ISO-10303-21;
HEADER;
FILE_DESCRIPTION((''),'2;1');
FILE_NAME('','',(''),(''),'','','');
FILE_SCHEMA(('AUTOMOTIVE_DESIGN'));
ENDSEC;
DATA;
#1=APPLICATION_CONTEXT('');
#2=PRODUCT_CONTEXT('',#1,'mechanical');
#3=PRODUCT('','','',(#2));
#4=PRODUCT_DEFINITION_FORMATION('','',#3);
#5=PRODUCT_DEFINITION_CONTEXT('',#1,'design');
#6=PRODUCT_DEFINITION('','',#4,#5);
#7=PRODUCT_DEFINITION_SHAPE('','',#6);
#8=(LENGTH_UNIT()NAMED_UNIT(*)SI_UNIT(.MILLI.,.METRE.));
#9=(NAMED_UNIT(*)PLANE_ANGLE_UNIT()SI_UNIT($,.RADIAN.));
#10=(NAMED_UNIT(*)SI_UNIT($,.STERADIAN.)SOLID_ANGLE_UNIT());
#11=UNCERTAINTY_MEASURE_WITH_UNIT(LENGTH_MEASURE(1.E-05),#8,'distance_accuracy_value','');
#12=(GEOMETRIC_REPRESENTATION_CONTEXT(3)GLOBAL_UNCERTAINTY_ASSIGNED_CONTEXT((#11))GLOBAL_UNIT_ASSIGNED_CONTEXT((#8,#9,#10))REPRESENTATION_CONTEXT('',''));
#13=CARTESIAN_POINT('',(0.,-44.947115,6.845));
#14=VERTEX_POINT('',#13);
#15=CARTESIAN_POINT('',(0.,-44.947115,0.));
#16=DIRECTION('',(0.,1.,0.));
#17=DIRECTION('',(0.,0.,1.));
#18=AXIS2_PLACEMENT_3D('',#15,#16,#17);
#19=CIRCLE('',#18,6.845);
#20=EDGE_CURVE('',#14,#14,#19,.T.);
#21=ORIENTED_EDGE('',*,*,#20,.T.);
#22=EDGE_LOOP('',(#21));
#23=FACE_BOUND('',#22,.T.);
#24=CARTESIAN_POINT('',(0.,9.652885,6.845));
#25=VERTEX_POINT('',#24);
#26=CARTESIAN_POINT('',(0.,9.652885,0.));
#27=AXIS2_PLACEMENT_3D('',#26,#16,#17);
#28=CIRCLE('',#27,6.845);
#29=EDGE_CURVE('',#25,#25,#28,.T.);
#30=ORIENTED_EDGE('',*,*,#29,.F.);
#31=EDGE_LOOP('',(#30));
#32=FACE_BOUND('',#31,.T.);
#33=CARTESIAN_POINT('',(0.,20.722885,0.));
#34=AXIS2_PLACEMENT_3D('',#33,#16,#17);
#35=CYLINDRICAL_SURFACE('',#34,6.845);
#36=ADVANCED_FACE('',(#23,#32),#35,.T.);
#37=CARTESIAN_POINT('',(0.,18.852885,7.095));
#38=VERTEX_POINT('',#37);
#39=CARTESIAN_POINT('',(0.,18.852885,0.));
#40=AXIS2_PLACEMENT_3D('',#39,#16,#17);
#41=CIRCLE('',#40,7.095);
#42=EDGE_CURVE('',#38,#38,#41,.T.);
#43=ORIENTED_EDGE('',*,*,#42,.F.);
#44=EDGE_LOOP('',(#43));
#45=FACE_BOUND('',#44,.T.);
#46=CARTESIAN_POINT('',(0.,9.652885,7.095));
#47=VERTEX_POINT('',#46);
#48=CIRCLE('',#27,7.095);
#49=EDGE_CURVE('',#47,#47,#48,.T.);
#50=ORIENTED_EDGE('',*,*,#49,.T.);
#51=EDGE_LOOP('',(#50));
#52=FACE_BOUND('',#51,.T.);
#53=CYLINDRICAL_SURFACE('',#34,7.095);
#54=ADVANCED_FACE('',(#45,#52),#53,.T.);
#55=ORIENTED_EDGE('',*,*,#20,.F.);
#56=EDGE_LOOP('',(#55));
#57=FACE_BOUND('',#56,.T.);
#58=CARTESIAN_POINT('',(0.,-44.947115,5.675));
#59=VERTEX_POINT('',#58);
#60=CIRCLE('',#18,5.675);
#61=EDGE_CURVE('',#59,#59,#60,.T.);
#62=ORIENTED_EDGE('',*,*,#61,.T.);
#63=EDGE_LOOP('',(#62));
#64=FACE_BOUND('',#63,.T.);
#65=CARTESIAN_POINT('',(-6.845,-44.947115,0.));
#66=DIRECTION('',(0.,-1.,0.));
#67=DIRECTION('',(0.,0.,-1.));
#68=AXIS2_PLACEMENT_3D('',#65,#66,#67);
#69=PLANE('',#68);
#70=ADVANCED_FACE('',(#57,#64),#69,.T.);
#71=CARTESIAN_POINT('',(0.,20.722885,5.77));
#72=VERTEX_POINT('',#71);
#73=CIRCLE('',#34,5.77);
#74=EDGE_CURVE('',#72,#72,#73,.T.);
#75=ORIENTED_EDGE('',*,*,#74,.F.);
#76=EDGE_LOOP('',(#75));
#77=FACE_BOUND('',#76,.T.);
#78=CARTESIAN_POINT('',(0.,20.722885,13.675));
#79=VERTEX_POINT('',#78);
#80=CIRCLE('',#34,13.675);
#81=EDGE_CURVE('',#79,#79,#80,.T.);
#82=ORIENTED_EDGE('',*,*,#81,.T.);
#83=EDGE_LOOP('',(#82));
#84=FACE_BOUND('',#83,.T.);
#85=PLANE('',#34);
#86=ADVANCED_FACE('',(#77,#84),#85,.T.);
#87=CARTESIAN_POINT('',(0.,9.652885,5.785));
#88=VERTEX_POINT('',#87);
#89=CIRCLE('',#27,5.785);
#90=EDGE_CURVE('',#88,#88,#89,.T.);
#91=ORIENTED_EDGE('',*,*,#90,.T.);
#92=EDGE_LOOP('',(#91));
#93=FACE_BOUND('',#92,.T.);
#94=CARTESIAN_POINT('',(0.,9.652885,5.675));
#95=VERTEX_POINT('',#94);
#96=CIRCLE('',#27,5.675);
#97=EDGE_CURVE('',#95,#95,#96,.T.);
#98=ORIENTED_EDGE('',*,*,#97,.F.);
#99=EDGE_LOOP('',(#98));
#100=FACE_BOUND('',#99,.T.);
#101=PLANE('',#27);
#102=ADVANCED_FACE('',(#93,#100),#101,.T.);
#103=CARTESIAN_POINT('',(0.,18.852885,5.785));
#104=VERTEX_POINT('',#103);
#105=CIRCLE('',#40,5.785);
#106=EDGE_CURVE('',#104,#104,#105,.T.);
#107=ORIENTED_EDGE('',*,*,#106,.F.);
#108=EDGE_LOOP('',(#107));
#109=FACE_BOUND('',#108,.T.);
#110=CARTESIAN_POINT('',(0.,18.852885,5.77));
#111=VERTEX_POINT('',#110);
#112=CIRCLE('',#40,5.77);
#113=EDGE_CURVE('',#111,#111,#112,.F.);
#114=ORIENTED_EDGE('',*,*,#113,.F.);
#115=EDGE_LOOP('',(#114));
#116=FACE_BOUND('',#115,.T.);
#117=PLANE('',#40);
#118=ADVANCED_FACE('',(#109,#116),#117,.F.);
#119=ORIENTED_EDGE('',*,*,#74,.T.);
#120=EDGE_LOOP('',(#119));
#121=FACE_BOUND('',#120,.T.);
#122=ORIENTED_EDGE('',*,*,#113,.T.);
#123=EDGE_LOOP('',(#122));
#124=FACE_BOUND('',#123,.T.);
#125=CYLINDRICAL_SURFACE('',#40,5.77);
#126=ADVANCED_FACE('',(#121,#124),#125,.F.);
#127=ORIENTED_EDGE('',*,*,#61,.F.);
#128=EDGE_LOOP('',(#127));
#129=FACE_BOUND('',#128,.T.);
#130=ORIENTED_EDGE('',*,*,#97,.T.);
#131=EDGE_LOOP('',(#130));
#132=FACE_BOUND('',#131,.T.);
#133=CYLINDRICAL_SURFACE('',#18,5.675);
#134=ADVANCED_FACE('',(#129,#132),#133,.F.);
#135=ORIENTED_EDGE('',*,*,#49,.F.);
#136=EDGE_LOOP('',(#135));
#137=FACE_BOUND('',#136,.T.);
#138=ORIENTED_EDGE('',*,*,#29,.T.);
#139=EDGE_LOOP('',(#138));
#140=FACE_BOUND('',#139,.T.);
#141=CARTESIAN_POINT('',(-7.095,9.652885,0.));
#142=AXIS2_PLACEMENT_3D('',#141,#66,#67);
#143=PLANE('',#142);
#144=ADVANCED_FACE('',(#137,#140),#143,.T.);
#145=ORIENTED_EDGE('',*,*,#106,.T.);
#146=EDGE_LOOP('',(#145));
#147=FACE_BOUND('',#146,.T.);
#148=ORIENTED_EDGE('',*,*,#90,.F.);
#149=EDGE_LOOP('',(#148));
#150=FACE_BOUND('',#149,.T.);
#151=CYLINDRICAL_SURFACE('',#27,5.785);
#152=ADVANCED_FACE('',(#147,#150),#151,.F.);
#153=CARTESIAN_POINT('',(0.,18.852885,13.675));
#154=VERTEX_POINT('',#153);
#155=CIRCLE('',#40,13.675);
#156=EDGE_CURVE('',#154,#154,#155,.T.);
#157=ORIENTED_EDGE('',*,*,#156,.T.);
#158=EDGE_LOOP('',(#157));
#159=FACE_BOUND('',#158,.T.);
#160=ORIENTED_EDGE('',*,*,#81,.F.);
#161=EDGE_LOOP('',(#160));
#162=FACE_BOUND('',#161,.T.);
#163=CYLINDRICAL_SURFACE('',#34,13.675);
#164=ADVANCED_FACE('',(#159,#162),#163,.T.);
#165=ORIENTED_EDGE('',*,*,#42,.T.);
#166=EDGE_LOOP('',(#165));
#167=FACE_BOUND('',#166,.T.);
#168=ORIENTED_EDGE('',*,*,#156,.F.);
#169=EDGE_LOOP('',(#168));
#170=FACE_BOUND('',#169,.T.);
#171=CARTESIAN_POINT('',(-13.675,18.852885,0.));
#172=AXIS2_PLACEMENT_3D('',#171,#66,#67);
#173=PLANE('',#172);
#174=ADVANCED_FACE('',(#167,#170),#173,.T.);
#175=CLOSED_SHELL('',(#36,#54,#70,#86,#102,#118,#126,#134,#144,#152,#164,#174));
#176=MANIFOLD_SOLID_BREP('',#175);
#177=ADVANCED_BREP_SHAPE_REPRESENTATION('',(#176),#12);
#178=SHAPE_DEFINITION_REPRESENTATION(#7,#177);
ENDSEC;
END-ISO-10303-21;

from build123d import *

# Parameters (mm, degrees)
SKETCH2_R          = 5.77
CUT_EXTRUDE1_DEPTH = 1.87
SKETCH3_R          = 5.785
CUT_EXTRUDE2_DEPTH = 9.2
SKETCH4_R          = 5.675
CUT_EXTRUDE3_DEPTH = 54.6


with BuildPart() as part:
    # Sketch1 → Revolve1 (revolve)
    with BuildSketch(Plane.XY):
        Polygon((0, 20.722884615), (0, -44.947115385), (-6.845, -44.947115385), (-6.845, 9.652884615), (-7.095, 9.652884615), (-7.095, 18.852884615), (-13.675, 18.852884615), (-13.675, 20.722884615), align=None)
    revolve(axis=Axis((0, 20.722884615, 0), (0, -1, 0)))

    # Sketch2 → Cut-Extrude1 (cut)
    with BuildSketch(Plane(origin=(0, 20.722884615, 0), x_dir=(1, 0, 0), z_dir=(0, 1, 0))):
        Circle(SKETCH2_R)
    extrude(amount=-CUT_EXTRUDE1_DEPTH, mode=Mode.SUBTRACT)

    # Sketch3 → Cut-Extrude2 (cut)
    with BuildSketch(Plane(origin=(0, 18.852884615, 0), x_dir=(1, 0, 0), z_dir=(0, 1, 0))):
        Circle(SKETCH3_R)
    extrude(amount=-CUT_EXTRUDE2_DEPTH, mode=Mode.SUBTRACT)

    # Sketch4 → Cut-Extrude3 (cut)
    with BuildSketch(Plane(origin=(0, 9.652884615, 0), x_dir=(1, 0, 0), z_dir=(0, 1, 0))):
        Circle(SKETCH4_R)
    extrude(amount=-CUT_EXTRUDE3_DEPTH, mode=Mode.SUBTRACT)


solid = part.part
